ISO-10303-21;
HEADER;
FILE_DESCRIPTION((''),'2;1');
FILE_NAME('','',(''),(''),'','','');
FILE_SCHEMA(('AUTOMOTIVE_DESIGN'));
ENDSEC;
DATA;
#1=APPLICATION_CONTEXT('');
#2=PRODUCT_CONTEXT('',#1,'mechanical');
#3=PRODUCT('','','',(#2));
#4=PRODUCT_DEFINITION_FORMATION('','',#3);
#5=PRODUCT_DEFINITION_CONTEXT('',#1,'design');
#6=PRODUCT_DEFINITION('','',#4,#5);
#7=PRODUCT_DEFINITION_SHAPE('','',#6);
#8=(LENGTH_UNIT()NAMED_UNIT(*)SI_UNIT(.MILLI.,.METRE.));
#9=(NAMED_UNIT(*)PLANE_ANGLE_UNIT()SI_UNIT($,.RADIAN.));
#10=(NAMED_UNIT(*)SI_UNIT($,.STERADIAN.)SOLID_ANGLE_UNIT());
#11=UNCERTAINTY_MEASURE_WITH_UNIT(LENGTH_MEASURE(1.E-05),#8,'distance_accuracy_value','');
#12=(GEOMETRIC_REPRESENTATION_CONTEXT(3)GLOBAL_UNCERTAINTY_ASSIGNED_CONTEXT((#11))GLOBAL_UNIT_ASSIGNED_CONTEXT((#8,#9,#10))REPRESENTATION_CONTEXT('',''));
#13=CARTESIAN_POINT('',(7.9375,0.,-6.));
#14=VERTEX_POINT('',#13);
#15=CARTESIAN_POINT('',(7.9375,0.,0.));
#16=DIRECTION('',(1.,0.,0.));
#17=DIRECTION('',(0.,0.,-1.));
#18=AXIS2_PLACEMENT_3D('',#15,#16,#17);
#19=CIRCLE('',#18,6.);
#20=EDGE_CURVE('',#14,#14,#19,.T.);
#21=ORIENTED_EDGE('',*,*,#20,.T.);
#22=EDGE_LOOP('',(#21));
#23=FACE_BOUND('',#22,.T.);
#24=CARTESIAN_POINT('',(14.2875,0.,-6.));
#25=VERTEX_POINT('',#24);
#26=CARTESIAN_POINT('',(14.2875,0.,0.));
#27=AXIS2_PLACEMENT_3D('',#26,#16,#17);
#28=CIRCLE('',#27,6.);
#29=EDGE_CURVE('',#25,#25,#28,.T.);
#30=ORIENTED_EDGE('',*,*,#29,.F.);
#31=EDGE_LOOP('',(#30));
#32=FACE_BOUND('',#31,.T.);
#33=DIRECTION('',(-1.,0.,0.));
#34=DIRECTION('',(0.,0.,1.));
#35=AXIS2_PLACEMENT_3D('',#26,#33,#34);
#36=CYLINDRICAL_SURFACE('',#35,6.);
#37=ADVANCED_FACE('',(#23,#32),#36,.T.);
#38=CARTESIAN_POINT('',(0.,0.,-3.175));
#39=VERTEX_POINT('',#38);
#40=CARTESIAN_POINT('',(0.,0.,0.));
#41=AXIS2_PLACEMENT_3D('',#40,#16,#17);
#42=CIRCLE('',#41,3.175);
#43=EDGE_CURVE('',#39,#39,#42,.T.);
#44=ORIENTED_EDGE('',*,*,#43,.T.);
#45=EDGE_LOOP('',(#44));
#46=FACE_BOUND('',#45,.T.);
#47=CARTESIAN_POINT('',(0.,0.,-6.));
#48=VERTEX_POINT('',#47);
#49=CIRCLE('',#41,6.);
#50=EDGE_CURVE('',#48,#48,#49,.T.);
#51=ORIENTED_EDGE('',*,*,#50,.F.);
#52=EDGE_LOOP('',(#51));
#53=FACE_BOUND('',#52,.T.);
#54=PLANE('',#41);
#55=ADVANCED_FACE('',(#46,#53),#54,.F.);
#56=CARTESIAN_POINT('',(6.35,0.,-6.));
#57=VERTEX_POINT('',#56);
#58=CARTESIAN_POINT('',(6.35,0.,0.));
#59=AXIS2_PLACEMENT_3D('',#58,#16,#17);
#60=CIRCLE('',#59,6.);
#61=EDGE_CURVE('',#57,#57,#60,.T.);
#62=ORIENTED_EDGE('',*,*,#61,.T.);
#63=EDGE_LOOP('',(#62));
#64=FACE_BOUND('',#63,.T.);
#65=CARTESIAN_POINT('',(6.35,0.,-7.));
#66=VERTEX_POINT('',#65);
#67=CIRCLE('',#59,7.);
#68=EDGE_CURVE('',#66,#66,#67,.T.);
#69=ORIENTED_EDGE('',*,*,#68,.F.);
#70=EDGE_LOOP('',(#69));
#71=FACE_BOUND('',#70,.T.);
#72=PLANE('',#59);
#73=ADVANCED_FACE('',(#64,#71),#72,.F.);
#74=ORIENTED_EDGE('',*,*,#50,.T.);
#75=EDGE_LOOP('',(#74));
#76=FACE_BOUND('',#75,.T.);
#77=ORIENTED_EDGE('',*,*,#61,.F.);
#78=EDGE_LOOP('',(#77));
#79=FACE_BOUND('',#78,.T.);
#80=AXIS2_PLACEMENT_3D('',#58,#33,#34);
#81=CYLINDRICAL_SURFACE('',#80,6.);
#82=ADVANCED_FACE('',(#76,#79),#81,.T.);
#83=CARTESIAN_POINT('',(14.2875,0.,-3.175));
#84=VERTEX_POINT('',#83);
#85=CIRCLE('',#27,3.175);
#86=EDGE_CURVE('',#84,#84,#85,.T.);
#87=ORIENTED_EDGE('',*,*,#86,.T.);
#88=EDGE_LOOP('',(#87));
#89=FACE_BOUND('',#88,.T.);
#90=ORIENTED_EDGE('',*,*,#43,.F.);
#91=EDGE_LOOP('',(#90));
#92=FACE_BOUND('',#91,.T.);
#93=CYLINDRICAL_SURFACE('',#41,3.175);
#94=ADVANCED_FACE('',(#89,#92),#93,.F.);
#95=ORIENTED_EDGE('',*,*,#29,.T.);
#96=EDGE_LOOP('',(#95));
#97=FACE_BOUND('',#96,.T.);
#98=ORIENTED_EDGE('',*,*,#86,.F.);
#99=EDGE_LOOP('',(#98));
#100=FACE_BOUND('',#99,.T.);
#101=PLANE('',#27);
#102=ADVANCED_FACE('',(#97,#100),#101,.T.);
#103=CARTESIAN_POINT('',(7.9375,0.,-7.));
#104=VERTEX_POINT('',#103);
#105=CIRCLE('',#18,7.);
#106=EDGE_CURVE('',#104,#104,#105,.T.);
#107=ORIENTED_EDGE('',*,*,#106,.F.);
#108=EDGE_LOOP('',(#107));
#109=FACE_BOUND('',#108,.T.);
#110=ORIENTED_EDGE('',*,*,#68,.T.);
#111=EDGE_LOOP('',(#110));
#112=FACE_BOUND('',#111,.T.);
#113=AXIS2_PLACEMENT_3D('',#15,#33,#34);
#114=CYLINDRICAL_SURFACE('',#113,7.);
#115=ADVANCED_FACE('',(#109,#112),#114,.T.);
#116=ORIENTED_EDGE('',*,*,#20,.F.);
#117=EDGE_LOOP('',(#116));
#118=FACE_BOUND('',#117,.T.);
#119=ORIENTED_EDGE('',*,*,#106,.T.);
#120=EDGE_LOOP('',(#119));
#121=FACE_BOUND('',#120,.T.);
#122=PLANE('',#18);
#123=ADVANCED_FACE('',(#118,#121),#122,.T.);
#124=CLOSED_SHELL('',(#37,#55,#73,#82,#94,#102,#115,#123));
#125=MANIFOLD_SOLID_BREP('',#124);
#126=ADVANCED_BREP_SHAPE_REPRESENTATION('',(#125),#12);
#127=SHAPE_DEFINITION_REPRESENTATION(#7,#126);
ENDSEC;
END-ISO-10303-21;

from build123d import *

# Parameters (mm, degrees)
SKETCH1_R           = 5.999999938
BOSS_EXTRUDE1_DEPTH = 6.35
SKETCH2_R           = 6.99999997
BOSS_EXTRUDE2_DEPTH = 1.5875
SKETCH3_R           = 5.999999938
BOSS_EXTRUDE3_DEPTH = 6.35
SKETCH4_R           = 3.175
CUT_EXTRUDE1_DEPTH  = 15.2875


with BuildPart() as part:
    # Sketch1 → Boss-Extrude1 (new body)
    with BuildSketch(Plane(origin=(0, 0, 0), x_dir=(0, 0, -1), z_dir=(1, 0, 0))):
        Circle(SKETCH1_R)
    extrude(amount=BOSS_EXTRUDE1_DEPTH)

    # Sketch2 → Boss-Extrude2 (add)
    with BuildSketch(Plane(origin=(6.35, 0, 0), x_dir=(0, 0, -1), z_dir=(1, 0, 0))):
        Circle(SKETCH2_R)
    extrude(amount=BOSS_EXTRUDE2_DEPTH)

    # Sketch3 → Boss-Extrude3 (add)
    with BuildSketch(Plane(origin=(7.9375, 0, 0), x_dir=(0, 0, -1), z_dir=(1, 0, 0))):
        Circle(SKETCH3_R)
    extrude(amount=BOSS_EXTRUDE3_DEPTH)

    # Sketch4 → Cut-Extrude1 (cut, through all)
    with BuildSketch(Plane(origin=(14.2875, 0, 0), x_dir=(0, 0, -1), z_dir=(1, 0, 0))):
        Circle(SKETCH4_R)
    extrude(amount=-CUT_EXTRUDE1_DEPTH, mode=Mode.SUBTRACT)


solid = part.part
